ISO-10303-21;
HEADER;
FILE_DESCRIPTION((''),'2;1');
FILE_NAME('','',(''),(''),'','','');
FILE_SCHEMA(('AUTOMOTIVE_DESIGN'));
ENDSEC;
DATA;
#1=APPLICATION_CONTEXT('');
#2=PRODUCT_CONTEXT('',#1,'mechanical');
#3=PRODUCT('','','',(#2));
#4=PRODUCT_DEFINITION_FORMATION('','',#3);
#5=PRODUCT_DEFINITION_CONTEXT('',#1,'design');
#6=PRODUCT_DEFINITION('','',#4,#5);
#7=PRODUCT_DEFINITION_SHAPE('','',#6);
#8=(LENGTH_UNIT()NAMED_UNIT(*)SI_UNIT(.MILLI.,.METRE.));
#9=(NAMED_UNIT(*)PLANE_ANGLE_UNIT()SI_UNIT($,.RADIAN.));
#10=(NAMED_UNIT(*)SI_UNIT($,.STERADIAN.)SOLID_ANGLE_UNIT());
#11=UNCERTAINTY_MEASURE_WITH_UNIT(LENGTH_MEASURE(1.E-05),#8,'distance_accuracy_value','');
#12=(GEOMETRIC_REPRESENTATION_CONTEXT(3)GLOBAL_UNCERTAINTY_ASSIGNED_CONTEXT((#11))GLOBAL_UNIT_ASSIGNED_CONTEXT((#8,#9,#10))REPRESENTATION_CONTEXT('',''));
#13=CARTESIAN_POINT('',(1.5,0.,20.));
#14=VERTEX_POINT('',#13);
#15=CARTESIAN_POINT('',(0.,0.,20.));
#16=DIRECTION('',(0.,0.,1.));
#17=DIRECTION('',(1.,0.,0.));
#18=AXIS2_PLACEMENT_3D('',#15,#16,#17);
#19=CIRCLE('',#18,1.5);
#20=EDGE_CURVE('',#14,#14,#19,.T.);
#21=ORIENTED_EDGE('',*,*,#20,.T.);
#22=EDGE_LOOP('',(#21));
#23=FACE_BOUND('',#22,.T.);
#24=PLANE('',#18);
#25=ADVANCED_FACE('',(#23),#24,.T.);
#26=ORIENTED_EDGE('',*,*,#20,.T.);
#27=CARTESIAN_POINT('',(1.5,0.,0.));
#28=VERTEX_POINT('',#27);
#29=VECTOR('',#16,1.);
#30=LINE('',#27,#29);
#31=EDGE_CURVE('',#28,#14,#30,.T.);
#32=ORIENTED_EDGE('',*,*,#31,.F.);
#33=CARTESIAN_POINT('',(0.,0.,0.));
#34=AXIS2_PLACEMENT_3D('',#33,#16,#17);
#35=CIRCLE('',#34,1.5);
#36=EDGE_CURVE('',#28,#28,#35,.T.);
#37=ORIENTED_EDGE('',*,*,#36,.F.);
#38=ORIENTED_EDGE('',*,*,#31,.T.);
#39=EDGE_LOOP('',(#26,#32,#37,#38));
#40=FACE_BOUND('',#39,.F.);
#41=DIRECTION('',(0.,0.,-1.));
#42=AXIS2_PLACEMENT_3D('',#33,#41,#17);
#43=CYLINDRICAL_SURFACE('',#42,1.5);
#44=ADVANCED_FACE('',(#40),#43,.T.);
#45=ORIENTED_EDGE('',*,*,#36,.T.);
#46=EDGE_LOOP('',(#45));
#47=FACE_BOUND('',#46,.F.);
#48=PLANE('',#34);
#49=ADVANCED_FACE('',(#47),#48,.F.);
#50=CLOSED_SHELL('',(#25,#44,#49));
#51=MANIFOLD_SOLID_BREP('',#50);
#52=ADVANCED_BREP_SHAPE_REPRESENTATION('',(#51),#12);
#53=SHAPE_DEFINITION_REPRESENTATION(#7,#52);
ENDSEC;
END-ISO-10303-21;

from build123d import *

# Parameters (mm, degrees)
ESQUISSE1_R        = 1.5
BOSS_EXTRU_1_DEPTH = 20


with BuildPart() as part:
    # Esquisse1 → Boss.-Extru.1 (new body)
    with BuildSketch(Plane.XY):
        Circle(ESQUISSE1_R)
    extrude(amount=BOSS_EXTRU_1_DEPTH)


solid = part.part
